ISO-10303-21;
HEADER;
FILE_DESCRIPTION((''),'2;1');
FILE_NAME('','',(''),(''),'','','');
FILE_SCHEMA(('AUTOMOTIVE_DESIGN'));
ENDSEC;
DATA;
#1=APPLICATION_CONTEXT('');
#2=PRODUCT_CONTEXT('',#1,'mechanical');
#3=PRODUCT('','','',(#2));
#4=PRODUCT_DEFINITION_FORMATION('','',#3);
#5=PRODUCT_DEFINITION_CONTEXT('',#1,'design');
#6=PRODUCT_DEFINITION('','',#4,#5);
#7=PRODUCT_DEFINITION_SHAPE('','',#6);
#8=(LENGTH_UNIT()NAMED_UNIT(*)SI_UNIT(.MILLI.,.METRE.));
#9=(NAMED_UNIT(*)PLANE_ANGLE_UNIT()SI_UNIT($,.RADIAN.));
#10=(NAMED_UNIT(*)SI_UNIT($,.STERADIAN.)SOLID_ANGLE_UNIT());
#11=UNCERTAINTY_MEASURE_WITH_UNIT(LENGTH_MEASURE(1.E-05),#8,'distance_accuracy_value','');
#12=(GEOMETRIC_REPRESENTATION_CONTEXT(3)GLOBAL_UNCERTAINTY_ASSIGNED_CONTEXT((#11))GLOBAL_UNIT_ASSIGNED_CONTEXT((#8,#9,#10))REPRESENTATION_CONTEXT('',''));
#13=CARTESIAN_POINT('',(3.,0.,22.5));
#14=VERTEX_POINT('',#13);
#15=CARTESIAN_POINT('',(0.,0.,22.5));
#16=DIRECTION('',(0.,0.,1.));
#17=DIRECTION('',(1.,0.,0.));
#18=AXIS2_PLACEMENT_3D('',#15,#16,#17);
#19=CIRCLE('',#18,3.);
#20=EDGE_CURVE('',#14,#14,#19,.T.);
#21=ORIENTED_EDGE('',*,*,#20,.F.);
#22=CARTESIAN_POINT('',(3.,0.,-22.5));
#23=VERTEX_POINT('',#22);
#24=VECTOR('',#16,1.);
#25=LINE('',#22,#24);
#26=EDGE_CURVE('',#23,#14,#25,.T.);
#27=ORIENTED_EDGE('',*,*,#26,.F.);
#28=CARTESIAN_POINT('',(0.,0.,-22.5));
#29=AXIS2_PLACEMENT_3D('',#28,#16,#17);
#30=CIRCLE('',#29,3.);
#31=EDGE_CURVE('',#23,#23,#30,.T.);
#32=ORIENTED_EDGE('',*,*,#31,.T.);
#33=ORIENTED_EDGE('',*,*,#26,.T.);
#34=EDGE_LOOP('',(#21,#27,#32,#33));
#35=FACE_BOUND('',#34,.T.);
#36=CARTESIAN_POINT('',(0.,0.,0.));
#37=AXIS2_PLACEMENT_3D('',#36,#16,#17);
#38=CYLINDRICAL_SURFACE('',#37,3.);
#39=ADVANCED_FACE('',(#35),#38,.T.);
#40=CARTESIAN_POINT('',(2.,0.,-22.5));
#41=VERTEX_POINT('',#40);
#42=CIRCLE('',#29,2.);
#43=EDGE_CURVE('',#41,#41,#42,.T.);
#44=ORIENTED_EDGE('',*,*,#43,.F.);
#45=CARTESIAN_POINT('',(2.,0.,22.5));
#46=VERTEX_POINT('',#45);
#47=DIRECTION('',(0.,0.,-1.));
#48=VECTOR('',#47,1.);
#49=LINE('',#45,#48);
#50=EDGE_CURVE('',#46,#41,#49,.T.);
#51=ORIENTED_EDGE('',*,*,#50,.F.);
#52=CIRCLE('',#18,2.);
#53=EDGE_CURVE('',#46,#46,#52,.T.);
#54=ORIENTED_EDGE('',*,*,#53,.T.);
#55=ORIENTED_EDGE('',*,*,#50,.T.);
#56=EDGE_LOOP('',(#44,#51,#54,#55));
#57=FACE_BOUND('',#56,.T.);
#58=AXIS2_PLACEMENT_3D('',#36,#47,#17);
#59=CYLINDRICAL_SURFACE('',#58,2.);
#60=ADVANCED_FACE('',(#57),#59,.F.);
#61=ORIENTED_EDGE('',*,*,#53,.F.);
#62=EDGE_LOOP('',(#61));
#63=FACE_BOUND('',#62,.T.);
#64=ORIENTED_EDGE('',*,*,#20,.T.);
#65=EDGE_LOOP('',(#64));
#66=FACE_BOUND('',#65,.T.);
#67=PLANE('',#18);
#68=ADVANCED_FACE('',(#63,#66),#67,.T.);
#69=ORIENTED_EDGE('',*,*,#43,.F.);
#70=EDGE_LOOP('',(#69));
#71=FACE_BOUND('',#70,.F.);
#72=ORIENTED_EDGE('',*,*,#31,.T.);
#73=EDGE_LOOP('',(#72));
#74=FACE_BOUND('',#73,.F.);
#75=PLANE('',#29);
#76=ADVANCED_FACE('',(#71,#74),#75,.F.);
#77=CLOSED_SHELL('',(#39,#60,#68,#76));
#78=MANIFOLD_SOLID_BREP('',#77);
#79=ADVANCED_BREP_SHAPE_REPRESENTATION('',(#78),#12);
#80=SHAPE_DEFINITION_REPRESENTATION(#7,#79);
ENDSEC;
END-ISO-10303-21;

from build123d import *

# Parameters (mm, degrees)
SKETCH_1_R      = 3
SKETCH_1_R_2    = 2
EXTRUDE_1_DEPTH = 22.5


with BuildPart() as part:
    # 草图1 → 凸台-拉伸1 (new body, symmetric)
    with BuildSketch(Plane.XY):
        Circle(SKETCH_1_R)
        Circle(SKETCH_1_R_2, mode=Mode.SUBTRACT)
    extrude(amount=EXTRUDE_1_DEPTH, both=True)


solid = part.part
